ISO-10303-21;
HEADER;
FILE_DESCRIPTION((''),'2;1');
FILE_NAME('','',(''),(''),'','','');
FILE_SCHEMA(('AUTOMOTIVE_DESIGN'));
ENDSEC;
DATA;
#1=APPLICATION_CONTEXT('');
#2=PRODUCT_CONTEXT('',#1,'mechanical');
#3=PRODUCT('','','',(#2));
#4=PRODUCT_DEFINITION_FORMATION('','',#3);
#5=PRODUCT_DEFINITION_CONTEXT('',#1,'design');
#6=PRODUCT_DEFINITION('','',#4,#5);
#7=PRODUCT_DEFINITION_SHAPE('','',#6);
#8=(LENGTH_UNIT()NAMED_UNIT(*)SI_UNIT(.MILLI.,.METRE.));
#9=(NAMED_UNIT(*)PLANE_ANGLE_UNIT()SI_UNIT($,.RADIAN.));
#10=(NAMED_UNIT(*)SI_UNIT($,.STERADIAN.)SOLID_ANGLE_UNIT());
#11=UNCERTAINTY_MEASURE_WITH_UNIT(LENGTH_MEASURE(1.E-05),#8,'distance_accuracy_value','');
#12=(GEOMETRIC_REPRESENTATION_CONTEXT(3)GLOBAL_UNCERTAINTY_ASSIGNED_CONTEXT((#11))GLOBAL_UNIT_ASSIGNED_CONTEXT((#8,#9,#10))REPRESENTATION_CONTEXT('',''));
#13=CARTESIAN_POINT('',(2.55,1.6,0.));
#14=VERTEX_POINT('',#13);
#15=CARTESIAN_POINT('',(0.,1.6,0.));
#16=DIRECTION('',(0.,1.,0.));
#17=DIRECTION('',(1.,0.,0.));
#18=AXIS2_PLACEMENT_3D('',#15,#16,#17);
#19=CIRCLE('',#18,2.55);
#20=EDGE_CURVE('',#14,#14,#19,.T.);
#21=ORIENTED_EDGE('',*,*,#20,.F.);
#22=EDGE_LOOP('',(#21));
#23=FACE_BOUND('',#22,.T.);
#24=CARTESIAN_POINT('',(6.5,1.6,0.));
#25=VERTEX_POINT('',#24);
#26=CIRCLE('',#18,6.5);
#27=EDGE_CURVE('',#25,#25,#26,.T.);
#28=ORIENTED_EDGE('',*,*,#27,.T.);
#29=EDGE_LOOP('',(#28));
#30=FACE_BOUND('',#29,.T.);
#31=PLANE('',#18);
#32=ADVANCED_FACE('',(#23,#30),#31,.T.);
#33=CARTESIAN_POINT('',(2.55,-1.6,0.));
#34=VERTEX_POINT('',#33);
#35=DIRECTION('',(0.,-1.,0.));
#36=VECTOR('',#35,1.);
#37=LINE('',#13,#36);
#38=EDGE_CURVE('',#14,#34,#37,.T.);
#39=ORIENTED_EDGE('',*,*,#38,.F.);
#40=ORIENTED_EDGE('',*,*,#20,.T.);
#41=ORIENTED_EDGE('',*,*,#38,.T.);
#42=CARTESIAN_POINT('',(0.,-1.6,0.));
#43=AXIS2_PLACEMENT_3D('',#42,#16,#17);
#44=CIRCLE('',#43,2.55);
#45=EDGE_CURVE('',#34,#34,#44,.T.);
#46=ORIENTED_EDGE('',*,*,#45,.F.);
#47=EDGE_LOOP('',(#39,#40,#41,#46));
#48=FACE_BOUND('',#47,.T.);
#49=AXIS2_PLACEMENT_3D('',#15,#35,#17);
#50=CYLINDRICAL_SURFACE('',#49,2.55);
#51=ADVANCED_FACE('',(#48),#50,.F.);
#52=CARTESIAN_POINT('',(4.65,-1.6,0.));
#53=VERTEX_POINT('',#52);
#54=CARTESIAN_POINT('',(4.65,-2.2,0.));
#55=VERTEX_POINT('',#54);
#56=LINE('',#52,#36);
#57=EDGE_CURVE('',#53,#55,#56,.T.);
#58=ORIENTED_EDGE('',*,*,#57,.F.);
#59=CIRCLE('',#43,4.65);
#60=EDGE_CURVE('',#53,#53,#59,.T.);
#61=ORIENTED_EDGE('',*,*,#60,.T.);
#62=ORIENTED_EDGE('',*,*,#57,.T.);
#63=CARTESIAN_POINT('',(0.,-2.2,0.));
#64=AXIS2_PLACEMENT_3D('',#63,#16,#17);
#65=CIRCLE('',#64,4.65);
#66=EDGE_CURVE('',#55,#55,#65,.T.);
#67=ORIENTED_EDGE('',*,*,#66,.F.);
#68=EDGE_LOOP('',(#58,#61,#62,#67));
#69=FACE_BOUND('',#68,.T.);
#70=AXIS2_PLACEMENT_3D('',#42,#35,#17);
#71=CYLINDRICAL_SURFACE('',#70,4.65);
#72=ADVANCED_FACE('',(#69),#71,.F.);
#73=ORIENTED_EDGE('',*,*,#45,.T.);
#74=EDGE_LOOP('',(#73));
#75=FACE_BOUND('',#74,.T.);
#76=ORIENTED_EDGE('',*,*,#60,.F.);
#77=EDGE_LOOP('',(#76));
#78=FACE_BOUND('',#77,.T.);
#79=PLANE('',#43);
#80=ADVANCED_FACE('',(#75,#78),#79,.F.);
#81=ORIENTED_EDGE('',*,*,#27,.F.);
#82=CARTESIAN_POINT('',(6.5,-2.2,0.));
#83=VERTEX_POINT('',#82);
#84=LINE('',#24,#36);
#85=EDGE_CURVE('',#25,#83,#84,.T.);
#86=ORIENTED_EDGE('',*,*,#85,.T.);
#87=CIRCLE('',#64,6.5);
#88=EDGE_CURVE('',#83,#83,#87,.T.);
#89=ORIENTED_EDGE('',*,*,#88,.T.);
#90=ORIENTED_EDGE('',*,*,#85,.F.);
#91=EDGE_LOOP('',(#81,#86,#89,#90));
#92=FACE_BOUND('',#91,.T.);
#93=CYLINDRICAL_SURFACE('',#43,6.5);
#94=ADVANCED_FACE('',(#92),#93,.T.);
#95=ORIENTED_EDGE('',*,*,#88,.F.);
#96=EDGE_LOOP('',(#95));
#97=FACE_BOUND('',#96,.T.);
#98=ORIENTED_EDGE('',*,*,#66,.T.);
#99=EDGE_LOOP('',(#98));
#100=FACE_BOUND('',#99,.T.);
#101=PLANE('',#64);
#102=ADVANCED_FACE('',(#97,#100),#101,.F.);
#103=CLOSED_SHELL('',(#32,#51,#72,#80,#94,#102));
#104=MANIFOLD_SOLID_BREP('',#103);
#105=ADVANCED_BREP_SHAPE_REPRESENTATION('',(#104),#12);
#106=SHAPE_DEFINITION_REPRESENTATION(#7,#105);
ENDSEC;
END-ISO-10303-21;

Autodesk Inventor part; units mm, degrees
ref_plane "YZ Plane" through (0, 0, 0) normal (1, 0, 0) x (0, 1, 0)
ref_plane "XZ Plane" through (0, 0, 0) normal (0, 1, 0) x (-1, 0, 0)
ref_plane "XY Plane" through (0, 0, 0) normal (0, 0, 1) x (1, 0, 0)
sketch "スケッチ1" plane through (0, 0, 0) normal (0, 0, 1) x (1, 0, 0)
  line L0 (2.55, 1.6) -> (2.55, -1.6)
  line L1 (2.55, -1.6) -> (6.5, -1.6)
  line L2 (6.5, -1.6) -> (6.5, 1.6)
  line L3 (6.5, 1.6) -> (2.55, 1.6)
  line L4 (0, -2.96) -> (0, 2.36) projected
  line L5 (6.5, -1.6) -> (4.65, -1.6)
  line L6 (4.65, -1.6) -> (4.65, -2.2)
  line L7 (4.65, -2.2) -> (6.5, -2.2)
  line L8 (6.5, -2.2) -> (6.5, -1.6)
  point P0 (0, 0)
  point P1 (2.55, 0)
  dimension "d1" = 2.55
  dimension "d2" = 6.5
  dimension "d3" = 3.2
  dimension "d8" = 0.6
  dimension "d9" = 4.65
revolve "回転1" add sketch "スケッチ1" angle 360 about axis through (0, -10, 0) along (0, 1, 0)
properties part number "膝_同軸_スペーサ_1_2" material "アセタール樹脂、黒"
